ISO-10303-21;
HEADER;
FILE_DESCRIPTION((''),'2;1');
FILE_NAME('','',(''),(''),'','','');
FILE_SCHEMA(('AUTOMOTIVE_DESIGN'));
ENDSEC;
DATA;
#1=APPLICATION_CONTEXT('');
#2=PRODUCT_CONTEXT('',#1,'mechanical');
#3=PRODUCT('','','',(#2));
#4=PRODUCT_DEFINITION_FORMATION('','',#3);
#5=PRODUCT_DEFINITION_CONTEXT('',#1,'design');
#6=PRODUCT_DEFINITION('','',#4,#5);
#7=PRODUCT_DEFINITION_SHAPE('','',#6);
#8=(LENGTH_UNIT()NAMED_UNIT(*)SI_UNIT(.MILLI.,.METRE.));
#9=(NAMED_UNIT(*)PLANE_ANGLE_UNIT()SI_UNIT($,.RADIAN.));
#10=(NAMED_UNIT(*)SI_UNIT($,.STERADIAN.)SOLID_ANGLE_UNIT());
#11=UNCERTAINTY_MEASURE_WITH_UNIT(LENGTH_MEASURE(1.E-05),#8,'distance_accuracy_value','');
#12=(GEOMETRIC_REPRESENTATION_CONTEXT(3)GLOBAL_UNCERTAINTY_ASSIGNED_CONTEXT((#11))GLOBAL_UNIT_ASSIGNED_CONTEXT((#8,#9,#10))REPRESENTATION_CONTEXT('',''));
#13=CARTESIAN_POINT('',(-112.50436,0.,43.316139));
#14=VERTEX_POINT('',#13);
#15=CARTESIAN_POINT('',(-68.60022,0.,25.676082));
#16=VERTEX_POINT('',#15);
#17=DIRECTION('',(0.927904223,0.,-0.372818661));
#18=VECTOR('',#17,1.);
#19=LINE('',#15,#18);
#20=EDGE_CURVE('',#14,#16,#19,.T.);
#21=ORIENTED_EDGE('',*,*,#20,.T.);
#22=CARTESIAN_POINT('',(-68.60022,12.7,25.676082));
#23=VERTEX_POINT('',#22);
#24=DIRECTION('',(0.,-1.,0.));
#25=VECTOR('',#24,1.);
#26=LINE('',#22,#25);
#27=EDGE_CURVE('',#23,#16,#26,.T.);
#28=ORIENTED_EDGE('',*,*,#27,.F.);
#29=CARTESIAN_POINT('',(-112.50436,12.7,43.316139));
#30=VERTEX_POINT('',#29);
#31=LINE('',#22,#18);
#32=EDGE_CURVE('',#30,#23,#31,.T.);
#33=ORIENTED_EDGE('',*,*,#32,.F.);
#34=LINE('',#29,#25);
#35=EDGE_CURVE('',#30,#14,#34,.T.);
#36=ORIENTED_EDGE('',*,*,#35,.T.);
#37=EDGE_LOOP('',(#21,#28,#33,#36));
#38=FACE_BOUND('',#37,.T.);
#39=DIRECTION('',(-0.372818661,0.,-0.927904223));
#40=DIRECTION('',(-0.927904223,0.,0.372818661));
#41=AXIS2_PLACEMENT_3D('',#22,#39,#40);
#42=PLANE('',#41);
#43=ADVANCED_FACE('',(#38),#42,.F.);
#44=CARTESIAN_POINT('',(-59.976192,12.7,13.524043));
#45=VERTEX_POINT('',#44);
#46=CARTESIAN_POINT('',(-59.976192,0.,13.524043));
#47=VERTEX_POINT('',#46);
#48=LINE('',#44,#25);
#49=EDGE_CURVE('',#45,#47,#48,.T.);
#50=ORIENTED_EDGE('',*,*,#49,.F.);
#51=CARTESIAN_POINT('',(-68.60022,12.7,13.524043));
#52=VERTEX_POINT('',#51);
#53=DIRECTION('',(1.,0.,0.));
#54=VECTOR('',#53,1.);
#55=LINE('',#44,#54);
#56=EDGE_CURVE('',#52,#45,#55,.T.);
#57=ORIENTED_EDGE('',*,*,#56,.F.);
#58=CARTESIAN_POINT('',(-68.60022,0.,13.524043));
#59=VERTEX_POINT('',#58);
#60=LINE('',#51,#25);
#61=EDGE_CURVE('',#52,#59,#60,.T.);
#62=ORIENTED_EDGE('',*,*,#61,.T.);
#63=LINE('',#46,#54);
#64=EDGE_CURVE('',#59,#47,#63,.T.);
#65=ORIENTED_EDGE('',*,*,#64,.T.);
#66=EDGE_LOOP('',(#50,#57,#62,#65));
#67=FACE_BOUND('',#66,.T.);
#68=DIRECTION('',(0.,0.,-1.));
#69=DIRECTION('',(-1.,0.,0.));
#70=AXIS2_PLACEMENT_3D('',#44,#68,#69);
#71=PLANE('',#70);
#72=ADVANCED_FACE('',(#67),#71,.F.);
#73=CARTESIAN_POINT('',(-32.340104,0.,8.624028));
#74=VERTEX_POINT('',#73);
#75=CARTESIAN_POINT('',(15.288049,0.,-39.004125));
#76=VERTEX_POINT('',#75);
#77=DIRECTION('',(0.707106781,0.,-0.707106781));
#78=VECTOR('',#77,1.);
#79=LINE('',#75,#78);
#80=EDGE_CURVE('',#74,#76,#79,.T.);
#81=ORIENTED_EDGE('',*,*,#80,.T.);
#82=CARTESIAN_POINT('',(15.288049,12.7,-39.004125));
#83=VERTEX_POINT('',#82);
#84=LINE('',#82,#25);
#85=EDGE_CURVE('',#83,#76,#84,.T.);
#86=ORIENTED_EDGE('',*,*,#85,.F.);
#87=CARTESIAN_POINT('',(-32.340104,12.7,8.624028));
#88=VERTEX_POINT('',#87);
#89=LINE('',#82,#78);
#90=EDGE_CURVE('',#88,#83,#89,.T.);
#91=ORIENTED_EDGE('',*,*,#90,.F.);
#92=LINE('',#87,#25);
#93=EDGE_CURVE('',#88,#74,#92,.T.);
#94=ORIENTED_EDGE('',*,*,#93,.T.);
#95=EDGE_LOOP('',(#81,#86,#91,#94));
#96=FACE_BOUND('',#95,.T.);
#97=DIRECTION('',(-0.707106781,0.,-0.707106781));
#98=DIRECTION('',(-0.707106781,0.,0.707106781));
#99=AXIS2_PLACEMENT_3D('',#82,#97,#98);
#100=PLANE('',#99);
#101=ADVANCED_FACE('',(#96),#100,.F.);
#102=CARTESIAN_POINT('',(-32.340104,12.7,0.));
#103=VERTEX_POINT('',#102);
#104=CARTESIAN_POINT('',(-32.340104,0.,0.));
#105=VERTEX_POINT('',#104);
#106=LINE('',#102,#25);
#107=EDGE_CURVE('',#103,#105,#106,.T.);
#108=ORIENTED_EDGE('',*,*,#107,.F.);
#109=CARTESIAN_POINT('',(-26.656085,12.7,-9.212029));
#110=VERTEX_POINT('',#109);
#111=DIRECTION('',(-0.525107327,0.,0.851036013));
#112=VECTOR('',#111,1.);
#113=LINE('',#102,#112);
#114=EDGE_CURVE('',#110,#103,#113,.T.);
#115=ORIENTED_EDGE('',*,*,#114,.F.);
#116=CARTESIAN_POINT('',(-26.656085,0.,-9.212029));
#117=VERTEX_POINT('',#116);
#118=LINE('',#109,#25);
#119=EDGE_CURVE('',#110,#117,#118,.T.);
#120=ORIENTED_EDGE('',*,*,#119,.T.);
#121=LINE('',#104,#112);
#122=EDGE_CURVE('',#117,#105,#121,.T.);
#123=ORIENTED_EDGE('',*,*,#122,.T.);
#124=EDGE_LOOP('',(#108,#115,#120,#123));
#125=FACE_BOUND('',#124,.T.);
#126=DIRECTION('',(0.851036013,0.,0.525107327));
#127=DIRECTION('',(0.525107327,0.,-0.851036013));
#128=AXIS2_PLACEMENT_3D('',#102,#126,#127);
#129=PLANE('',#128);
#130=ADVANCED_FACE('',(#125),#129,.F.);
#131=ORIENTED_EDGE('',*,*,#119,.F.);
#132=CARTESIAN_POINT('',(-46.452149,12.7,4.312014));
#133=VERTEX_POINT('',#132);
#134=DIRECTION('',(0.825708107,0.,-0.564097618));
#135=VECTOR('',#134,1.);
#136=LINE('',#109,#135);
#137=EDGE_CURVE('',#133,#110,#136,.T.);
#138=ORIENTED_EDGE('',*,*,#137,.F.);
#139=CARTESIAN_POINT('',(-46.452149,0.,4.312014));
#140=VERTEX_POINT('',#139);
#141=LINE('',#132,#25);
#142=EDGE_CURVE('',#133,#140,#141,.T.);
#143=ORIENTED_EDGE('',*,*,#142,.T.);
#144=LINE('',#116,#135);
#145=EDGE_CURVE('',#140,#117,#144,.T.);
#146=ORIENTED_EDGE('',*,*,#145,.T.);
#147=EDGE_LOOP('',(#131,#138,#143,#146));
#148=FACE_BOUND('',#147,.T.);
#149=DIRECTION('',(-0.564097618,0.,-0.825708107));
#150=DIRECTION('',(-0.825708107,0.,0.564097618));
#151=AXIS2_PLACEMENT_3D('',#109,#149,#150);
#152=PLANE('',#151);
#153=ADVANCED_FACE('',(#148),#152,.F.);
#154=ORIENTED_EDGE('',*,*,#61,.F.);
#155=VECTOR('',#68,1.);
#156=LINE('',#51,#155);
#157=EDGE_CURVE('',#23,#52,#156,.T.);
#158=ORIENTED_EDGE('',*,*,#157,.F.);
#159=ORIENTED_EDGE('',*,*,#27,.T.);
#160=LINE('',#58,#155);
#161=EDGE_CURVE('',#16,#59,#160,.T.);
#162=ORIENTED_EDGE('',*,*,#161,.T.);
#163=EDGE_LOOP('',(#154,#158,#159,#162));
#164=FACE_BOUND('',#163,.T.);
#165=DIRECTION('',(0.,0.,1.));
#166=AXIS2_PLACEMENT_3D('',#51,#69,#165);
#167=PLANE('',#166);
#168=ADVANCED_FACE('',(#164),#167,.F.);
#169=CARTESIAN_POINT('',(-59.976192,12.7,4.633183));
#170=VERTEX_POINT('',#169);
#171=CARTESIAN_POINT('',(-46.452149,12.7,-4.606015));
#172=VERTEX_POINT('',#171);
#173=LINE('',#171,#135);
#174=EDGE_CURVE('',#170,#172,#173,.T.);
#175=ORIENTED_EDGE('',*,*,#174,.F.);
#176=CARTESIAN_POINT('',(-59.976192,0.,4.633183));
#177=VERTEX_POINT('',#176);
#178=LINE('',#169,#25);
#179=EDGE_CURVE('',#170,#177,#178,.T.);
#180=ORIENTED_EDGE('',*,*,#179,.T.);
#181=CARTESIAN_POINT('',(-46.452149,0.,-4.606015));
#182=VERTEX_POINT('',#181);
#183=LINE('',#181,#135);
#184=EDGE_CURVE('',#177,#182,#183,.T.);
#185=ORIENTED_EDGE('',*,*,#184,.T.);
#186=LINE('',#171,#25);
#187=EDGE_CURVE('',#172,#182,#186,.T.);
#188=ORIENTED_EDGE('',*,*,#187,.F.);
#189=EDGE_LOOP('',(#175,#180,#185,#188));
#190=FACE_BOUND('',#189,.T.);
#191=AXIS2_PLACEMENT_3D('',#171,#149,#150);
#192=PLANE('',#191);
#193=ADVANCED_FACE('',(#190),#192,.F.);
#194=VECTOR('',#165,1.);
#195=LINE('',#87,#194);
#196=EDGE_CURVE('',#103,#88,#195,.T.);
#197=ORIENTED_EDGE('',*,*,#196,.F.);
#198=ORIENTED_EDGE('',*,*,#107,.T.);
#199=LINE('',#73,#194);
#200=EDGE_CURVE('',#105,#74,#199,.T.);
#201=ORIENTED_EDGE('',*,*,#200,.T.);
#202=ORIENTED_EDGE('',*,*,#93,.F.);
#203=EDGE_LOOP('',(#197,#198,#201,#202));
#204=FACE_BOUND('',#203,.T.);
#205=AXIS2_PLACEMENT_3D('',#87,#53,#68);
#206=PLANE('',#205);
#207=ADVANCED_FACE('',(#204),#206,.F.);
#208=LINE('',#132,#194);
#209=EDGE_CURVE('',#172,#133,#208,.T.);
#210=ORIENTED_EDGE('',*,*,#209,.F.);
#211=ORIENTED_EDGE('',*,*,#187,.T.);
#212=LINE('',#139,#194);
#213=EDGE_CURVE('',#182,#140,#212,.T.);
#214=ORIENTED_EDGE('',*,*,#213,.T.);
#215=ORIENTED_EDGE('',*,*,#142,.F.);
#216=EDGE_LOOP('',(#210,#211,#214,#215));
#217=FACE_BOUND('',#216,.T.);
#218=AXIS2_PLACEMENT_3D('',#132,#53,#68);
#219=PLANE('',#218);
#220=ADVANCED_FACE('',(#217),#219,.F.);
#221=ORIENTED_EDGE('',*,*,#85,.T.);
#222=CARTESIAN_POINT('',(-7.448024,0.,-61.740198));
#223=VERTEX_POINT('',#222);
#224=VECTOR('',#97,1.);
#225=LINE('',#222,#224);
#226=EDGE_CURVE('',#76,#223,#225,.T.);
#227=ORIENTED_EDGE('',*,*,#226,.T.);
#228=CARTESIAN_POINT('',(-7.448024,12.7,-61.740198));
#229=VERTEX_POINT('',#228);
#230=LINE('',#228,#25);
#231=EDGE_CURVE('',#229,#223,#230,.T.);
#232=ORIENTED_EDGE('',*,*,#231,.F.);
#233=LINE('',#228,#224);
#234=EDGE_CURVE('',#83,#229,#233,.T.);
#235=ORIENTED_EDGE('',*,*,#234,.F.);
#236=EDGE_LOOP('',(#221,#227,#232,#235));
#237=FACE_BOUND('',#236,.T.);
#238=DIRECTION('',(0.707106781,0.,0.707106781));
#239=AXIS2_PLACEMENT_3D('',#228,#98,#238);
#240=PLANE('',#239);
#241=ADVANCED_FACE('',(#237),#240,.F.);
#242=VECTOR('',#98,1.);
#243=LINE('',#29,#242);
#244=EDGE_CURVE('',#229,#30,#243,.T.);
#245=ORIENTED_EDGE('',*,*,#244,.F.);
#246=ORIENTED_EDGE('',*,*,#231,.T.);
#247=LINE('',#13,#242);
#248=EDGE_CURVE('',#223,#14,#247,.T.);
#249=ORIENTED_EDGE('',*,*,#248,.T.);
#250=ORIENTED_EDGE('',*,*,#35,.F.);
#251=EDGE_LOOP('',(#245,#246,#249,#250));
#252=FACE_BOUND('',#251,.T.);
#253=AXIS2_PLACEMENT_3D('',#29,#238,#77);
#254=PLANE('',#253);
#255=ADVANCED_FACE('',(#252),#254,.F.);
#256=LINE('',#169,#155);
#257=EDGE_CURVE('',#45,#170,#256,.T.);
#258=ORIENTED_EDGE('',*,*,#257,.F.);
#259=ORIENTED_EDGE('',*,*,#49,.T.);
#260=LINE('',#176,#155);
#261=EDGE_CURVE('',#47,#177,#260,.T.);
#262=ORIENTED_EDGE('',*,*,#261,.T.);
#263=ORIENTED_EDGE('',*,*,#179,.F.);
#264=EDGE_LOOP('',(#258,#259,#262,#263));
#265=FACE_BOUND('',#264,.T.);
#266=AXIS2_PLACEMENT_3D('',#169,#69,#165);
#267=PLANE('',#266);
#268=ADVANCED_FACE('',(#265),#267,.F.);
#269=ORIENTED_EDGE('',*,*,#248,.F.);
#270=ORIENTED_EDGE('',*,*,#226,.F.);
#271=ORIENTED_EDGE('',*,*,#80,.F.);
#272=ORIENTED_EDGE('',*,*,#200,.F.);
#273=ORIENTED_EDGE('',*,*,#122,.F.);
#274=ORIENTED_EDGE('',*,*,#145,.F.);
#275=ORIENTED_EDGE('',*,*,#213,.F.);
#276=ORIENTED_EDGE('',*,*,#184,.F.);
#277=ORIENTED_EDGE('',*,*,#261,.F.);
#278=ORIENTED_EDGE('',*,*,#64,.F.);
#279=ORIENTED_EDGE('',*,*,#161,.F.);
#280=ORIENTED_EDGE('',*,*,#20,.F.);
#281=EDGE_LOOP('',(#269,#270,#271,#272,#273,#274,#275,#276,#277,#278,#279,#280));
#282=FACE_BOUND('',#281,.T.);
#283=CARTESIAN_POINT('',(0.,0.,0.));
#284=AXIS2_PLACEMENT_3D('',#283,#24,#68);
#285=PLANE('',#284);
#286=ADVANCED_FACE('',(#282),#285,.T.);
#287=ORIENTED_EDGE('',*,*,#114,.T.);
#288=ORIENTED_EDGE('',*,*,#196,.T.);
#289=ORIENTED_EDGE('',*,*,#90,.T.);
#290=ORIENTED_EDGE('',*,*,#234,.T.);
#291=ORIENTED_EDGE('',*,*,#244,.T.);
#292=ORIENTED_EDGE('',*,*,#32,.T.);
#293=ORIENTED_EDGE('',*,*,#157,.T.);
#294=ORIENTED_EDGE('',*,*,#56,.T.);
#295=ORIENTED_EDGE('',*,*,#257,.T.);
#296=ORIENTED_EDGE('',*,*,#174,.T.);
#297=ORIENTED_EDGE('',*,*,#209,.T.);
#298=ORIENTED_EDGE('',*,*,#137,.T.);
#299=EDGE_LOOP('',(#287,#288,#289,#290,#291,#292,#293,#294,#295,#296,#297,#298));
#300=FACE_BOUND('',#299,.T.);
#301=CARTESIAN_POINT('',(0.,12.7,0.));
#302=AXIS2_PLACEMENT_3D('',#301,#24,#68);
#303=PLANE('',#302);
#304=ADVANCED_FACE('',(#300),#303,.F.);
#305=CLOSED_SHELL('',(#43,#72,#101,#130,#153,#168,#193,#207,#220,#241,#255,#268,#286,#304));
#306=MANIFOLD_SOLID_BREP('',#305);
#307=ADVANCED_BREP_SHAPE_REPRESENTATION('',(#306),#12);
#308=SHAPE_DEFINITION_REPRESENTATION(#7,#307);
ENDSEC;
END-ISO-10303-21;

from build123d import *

# Parameters (mm, degrees)
BOSS_EXTRUDE1_DEPTH = 12.7


with BuildPart() as part:
    # Sketch1 → Boss-Extrude1 (new body)
    with BuildSketch(Plane(origin=(0, 0, 0), x_dir=(1, 0, 0), z_dir=(0, 1, 0))):
        Polygon((-112.504360112, -43.31613865), (-7.44802384, 61.740197623), (15.288048935, 39.004124847), (-32.340103517, -8.624027604), (-32.340103517, 0), (-26.656085323, 9.212029487), (-46.452148688, -4.312013802), (-46.452148688, 4.606014743), (-59.976191976, -4.633183147), (-59.976191976, -13.524043289), (-68.600219581, -13.524043289), (-68.600219581, -25.676082186), align=None)
    extrude(amount=BOSS_EXTRUDE1_DEPTH)


solid = part.part
